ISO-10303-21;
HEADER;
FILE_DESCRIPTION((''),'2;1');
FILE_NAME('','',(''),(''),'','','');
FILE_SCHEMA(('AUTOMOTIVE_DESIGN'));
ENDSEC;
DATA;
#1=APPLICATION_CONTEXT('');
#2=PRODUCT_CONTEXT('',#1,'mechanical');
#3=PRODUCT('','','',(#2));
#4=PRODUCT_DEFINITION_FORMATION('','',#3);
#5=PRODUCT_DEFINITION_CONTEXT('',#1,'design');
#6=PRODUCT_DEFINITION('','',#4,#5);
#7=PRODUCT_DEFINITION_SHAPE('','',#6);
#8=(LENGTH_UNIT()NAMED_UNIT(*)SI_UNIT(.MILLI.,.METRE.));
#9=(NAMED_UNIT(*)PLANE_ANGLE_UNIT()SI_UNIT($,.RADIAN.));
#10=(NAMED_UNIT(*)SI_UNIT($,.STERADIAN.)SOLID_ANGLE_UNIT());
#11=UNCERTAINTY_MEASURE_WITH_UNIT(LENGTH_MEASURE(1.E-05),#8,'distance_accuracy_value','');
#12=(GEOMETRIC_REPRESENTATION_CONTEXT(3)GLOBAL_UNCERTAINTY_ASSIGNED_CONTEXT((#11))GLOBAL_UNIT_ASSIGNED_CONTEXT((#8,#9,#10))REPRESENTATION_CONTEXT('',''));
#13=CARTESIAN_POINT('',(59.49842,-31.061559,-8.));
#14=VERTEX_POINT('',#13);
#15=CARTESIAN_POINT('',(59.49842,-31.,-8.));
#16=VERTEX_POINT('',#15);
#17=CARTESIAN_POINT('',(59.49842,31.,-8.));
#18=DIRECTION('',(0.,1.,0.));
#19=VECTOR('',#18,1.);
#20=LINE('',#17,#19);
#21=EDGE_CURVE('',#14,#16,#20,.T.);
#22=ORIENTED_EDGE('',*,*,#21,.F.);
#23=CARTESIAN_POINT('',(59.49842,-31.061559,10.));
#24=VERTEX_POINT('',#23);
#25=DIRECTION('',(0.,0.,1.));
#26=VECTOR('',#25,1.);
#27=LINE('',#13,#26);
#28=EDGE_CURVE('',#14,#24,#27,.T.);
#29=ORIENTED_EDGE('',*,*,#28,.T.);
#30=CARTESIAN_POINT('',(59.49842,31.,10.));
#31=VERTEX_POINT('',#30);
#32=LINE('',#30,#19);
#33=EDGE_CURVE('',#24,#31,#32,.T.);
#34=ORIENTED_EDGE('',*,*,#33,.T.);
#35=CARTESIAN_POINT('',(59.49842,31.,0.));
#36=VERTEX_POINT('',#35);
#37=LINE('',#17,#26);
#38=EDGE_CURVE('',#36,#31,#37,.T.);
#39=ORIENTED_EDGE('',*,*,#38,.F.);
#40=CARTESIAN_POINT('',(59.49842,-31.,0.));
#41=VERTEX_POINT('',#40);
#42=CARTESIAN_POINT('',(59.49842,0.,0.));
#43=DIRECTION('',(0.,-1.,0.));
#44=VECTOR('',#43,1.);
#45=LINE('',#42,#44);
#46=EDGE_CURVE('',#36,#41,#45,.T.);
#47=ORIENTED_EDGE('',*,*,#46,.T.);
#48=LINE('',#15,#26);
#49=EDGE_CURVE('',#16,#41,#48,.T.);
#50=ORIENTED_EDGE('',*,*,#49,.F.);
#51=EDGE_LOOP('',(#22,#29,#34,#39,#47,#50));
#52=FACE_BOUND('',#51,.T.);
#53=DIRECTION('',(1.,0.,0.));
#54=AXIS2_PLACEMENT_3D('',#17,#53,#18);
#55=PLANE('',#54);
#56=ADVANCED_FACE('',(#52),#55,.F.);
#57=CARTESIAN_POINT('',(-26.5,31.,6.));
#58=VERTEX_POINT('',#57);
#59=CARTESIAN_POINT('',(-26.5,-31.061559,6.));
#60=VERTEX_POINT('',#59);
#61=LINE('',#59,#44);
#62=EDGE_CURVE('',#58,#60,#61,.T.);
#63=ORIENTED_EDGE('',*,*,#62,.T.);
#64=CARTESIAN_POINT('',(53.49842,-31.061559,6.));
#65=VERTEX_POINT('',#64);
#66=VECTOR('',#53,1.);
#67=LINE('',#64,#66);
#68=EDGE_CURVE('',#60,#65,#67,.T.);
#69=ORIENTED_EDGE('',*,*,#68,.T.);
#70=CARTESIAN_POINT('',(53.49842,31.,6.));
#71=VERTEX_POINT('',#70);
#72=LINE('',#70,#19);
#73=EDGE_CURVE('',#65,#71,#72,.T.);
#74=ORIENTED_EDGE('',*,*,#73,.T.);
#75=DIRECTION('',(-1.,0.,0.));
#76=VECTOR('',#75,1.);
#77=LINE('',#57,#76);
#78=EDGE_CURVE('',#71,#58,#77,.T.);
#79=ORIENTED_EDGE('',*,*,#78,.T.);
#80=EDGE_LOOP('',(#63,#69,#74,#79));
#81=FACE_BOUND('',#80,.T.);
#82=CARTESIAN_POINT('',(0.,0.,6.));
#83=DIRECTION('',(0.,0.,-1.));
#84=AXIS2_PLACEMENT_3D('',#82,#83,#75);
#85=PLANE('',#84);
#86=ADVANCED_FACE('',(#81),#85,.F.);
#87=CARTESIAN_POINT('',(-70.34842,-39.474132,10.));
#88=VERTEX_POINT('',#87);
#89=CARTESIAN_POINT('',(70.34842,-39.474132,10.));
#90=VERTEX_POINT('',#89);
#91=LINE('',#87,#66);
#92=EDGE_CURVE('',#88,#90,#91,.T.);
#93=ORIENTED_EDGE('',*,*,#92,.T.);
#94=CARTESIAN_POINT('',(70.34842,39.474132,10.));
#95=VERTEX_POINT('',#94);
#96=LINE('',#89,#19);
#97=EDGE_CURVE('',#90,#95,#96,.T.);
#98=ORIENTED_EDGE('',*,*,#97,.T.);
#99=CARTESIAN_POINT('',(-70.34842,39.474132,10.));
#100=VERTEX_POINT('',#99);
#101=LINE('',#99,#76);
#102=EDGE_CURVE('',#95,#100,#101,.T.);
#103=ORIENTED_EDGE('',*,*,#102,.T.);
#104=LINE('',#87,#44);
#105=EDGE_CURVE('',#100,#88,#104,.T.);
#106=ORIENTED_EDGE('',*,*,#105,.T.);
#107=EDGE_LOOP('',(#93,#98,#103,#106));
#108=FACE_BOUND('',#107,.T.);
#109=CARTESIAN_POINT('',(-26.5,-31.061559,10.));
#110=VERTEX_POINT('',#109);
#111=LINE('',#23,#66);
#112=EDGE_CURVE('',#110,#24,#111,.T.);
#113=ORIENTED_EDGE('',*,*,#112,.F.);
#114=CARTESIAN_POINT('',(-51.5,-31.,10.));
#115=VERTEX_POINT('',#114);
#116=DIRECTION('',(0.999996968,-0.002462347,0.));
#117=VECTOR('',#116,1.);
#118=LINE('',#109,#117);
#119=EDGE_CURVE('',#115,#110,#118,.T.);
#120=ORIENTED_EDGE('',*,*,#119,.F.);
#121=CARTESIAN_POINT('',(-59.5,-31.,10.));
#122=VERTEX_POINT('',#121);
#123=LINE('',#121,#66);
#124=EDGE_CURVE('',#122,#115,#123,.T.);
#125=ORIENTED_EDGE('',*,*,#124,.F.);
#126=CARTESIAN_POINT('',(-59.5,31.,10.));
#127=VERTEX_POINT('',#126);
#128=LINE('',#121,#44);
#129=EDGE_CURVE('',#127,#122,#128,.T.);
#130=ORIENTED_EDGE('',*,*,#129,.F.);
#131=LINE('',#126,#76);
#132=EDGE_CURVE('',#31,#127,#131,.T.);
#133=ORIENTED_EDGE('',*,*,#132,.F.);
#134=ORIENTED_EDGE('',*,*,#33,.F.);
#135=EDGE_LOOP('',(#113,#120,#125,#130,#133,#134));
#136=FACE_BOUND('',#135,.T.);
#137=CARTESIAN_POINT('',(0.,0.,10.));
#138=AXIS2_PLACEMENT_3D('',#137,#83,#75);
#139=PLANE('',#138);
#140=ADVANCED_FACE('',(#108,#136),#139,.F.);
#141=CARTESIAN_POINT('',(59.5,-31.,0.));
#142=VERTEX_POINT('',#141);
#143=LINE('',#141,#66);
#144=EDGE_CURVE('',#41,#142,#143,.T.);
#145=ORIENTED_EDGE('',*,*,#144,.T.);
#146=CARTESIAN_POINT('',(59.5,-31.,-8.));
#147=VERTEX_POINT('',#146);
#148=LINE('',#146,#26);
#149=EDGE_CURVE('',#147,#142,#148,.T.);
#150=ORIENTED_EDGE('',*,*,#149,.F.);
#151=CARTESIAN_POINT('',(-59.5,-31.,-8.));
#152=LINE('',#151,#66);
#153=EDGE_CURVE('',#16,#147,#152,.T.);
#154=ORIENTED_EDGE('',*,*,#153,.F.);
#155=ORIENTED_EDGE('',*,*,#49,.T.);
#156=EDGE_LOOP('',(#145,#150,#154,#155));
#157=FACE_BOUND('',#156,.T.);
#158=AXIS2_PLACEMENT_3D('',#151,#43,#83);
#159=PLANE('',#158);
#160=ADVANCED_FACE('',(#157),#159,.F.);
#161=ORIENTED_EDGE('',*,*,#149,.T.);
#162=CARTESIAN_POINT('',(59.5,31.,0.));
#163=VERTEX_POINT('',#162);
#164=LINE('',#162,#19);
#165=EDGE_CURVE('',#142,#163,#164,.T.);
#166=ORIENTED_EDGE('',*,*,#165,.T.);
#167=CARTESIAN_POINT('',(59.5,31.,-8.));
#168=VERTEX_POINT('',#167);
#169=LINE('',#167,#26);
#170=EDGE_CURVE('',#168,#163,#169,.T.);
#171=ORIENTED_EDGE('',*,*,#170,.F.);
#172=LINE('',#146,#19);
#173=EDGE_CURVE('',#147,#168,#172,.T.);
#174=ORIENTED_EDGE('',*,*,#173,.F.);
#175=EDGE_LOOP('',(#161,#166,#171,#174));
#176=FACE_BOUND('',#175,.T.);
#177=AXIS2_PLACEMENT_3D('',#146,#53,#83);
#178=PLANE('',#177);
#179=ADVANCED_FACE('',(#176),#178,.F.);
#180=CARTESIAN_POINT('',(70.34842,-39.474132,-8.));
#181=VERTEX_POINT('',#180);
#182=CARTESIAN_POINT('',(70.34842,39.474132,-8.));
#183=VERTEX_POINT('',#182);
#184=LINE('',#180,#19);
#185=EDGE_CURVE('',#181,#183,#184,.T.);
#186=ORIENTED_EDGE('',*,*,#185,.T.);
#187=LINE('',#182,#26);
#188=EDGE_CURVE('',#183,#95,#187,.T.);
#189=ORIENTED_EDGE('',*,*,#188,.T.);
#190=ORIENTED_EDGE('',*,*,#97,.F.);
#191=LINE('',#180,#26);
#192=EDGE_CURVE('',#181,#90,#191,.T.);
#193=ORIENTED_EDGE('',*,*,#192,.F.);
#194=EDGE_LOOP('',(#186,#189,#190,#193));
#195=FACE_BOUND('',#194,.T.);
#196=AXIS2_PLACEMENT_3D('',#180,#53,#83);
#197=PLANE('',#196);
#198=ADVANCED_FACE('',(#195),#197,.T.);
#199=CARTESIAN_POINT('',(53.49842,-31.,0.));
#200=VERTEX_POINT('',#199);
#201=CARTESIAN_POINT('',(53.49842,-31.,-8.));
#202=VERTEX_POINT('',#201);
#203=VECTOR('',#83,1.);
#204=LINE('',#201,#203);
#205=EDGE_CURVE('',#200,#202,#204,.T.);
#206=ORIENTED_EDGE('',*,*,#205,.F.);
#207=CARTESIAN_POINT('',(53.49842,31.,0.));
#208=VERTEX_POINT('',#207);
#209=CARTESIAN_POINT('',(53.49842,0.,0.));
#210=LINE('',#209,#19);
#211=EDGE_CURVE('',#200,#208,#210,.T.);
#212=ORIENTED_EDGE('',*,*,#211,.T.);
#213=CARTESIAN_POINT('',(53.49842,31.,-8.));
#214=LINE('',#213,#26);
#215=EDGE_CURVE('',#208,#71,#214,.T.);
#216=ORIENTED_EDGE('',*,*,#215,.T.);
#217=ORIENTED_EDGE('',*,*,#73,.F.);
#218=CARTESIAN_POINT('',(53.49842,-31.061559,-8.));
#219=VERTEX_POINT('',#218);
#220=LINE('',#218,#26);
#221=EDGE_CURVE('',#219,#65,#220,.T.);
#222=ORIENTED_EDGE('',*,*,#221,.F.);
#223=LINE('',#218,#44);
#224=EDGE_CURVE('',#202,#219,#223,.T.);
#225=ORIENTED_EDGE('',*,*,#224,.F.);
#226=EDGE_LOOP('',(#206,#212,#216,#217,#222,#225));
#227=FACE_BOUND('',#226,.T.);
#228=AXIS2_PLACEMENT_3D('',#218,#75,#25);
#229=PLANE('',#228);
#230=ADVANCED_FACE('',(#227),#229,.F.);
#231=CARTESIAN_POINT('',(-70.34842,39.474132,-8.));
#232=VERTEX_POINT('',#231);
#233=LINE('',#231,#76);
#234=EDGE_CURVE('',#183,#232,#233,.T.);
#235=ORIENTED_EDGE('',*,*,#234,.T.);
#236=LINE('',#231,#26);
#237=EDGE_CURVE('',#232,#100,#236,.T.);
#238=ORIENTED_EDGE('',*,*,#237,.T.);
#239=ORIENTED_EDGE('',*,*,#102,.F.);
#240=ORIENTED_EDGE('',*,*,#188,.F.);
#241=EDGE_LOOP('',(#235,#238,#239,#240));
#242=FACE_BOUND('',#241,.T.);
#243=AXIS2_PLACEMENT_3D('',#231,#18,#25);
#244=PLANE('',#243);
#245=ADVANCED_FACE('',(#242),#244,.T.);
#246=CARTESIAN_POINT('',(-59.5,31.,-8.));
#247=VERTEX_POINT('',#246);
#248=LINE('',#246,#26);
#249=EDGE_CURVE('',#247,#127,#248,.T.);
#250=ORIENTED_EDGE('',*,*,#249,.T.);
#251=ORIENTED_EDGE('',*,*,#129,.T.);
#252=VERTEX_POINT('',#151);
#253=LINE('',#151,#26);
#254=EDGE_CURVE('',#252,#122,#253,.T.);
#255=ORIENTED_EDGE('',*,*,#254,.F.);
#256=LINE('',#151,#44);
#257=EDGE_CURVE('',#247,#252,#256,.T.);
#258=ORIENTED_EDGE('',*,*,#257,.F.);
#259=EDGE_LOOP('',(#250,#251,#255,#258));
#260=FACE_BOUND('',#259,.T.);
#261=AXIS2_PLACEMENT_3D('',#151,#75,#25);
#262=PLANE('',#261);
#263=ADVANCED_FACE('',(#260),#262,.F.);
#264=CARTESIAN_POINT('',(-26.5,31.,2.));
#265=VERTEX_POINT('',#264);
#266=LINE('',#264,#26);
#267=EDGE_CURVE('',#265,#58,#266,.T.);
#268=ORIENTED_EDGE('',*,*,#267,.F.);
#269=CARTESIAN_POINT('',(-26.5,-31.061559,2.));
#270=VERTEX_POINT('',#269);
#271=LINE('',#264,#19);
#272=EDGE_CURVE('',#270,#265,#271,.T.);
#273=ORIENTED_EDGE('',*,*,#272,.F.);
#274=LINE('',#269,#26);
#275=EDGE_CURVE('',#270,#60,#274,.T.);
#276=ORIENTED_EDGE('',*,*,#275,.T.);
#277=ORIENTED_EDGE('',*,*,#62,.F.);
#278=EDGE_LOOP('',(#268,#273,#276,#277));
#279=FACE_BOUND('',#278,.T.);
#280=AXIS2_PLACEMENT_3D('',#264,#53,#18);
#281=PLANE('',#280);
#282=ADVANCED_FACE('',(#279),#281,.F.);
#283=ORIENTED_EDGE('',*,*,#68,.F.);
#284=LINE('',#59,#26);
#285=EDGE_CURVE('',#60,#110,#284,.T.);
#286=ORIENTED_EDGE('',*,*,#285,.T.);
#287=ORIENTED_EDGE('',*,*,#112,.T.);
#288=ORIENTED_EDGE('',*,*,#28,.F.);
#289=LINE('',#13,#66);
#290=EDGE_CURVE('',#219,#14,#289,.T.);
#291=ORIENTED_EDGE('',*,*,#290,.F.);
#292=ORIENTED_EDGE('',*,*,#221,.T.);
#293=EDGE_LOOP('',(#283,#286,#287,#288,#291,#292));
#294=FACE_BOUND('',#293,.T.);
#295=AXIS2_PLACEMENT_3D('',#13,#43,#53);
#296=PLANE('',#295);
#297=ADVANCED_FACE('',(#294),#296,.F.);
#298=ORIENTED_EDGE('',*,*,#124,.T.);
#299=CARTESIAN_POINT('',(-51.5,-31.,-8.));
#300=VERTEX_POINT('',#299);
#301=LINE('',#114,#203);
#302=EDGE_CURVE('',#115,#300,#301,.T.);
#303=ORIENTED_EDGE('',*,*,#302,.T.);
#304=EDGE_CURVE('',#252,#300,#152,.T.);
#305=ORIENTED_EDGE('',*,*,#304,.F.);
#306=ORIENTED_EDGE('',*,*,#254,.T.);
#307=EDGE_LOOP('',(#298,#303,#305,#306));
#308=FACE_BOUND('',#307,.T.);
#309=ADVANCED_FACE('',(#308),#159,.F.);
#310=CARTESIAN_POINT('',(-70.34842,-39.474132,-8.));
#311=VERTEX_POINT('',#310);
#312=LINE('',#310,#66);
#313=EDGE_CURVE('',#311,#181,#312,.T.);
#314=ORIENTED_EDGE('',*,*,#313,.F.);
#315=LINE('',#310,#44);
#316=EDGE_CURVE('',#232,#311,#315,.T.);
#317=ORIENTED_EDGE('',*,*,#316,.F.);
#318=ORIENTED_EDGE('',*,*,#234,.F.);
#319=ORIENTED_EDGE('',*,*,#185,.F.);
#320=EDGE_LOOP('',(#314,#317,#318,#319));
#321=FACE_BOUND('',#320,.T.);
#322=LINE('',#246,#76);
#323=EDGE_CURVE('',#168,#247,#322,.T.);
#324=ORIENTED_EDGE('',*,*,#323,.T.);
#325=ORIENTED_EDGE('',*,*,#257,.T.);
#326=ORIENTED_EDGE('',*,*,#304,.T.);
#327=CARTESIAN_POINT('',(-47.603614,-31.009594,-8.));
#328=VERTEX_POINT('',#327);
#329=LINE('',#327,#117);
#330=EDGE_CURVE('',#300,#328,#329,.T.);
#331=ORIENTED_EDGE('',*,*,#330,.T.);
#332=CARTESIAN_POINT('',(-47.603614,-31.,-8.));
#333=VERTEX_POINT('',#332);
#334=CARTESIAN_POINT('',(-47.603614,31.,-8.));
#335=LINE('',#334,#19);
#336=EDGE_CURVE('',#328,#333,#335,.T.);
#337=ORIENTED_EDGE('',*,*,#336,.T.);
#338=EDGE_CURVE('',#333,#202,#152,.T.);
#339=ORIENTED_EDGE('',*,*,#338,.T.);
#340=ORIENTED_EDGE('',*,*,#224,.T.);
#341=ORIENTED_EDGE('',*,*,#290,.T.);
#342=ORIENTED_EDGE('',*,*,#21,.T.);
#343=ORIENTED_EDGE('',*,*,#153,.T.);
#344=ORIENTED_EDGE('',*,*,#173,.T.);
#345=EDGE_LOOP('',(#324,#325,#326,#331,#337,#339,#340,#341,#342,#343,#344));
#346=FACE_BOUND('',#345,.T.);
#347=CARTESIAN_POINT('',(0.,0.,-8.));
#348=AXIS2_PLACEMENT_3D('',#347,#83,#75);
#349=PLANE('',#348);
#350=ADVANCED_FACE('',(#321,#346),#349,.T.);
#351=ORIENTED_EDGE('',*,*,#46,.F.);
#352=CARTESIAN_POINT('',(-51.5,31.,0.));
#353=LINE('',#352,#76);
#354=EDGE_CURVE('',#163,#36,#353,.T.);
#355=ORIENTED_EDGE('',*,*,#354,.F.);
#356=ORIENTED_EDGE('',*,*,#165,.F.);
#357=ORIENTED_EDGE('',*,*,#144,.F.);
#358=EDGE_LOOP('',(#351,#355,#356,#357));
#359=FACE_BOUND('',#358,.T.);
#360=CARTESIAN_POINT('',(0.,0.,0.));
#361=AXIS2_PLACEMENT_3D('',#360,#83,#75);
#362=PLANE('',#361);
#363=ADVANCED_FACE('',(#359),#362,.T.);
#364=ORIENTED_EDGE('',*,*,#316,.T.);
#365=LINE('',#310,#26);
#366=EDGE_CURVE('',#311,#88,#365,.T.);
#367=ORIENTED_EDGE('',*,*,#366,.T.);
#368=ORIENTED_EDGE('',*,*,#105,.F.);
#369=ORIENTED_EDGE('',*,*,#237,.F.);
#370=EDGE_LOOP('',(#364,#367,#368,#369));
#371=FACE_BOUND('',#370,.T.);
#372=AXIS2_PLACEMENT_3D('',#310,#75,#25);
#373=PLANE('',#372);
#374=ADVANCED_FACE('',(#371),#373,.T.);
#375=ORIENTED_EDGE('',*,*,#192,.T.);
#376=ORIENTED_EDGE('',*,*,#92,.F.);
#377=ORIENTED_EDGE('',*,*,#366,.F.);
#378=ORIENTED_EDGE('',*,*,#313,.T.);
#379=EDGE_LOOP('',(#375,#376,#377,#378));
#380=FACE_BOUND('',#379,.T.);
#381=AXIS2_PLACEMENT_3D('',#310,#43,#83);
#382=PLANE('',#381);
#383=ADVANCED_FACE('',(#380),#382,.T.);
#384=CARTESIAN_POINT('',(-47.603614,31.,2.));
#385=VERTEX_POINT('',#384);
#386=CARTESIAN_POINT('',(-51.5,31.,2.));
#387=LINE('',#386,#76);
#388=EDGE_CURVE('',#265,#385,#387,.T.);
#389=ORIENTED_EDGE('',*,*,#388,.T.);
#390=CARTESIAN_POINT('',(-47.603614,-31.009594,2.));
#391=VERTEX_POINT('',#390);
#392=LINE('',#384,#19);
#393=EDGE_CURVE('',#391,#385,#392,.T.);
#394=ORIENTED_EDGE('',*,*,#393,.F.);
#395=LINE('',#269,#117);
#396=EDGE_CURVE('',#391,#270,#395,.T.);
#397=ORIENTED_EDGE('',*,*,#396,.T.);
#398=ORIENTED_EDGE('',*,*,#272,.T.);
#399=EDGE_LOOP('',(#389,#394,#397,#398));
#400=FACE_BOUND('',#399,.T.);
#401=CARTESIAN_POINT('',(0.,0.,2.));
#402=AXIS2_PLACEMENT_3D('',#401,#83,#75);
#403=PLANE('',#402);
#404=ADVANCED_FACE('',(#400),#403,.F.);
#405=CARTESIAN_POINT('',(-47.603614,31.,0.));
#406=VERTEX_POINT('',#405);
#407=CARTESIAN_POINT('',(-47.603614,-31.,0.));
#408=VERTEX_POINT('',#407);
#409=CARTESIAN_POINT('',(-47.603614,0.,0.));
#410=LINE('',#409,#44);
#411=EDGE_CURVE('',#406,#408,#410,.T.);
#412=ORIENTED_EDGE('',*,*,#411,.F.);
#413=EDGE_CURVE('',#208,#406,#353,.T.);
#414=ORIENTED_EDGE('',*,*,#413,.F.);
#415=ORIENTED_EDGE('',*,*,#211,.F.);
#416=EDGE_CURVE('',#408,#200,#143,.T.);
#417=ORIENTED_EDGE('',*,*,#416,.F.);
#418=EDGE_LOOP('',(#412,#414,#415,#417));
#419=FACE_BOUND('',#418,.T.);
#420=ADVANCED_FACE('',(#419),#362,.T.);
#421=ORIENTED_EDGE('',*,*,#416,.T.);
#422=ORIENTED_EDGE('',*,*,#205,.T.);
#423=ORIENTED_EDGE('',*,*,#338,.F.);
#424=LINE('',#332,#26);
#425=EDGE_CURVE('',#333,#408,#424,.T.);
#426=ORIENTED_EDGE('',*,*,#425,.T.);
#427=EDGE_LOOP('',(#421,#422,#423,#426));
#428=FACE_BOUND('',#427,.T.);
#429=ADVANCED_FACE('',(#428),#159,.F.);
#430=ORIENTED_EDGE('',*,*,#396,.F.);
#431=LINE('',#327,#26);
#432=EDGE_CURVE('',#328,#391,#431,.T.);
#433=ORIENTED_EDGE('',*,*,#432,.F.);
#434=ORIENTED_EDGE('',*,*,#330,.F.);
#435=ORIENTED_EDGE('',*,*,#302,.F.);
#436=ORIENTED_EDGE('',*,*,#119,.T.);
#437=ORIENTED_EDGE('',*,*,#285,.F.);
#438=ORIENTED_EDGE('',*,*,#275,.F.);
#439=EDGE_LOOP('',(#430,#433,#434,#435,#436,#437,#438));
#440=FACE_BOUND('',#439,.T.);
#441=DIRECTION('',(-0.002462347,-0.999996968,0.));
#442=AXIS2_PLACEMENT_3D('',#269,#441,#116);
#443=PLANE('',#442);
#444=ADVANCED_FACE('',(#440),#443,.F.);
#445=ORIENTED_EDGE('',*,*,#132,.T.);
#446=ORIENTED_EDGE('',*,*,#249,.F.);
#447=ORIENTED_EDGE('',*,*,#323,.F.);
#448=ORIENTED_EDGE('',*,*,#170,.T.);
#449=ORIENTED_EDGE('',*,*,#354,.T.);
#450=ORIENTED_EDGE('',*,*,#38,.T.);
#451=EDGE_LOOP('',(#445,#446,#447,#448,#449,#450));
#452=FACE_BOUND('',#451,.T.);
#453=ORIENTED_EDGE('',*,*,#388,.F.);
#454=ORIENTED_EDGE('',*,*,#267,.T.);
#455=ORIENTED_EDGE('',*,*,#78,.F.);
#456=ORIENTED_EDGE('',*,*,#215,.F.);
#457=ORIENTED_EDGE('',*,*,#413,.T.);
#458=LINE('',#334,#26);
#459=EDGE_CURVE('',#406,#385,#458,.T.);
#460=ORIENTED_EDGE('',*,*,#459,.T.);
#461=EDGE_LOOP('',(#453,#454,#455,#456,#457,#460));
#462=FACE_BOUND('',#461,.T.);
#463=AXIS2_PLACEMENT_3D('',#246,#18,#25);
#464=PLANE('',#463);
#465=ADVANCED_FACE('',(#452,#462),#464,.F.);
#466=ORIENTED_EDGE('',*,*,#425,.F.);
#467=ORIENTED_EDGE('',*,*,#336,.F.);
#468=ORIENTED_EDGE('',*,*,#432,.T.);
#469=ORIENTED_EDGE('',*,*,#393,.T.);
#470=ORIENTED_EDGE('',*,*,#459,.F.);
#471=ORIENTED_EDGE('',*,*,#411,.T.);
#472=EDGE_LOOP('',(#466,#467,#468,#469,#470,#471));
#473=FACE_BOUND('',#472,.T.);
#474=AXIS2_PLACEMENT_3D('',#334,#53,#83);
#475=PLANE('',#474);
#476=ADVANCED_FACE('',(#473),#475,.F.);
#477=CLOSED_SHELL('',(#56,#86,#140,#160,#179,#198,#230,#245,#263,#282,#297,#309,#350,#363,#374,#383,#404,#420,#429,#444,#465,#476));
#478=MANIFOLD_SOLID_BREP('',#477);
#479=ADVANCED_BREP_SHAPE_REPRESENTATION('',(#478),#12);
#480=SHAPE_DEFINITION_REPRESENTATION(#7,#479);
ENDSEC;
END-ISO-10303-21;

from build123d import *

# Parameters (mm, degrees)
EXTRUDE_1_DEPTH      = 10
EXTRUDE_1_DEPTH_BACK = 8
SKETCH_1_W           = 140.696839698
SKETCH_1_H           = 78.948263704
SKETCH_1_W_2         = 119
SKETCH_1_H_2         = 62
SKETCH_2_W           = 111
SKETCH_2_H           = 62
EXTRUDE_2_DEPTH      = 10
CUT_EXTRUDE_1_DEPTH  = 8
CUT_EXTRUDE_2_DEPTH  = 82.284114443
SKETCH_5_W           = 6
SKETCH_5_H           = 62.061558852
CUT_EXTRUDE_3_DEPTH  = 83.650512768
SKETCH_6_W           = 79.998419849
SKETCH_6_H           = 62.061558852
CUT_EXTRUDE_4_DEPTH  = 4


with BuildPart() as part:
    # 草图1 → 凸台-拉伸1 (new, two sides: drawn at the far end of the back side and taken through both)
    with BuildSketch(Plane.XY.offset(-EXTRUDE_1_DEPTH_BACK)):
        Rectangle(SKETCH_1_W, SKETCH_1_H)
        Rectangle(SKETCH_1_W_2, SKETCH_1_H_2, mode=Mode.SUBTRACT)
    extrude(amount=EXTRUDE_1_DEPTH + EXTRUDE_1_DEPTH_BACK)

    # 草图2 → 凸台-拉伸2 (add)
    with BuildSketch(Plane.XY):
        with Locations((4, 0)):
            Rectangle(SKETCH_2_W, SKETCH_2_H)
    extrude(amount=EXTRUDE_2_DEPTH)

    # 草图3 → 切除-拉伸1 (cut)
    with BuildSketch(Plane.XY.offset(10)):
        Polygon((-51.5, 31), (-26.5, 31), (-26.5, -31.061558852), (-51.5, -31), align=None)
    extrude(amount=-CUT_EXTRUDE_1_DEPTH, mode=Mode.SUBTRACT)

    # 草图4 → 切除-拉伸2 (cut, through all)
    with BuildSketch(Plane.XY.offset(2)):
        Polygon((-51.5, 31), (-47.603613943, 31), (-47.603613943, -31.009594282), (-51.5, -31), align=None)
    extrude(amount=-CUT_EXTRUDE_2_DEPTH, mode=Mode.SUBTRACT)

    # 草图5 → 切除-拉伸3 (cut, through all)
    with BuildSketch(Plane.XY.offset(10)):
        with Locations((56.498419849, -0.030779426)):
            Rectangle(SKETCH_5_W, SKETCH_5_H)
    extrude(amount=-CUT_EXTRUDE_3_DEPTH, mode=Mode.SUBTRACT)

    # 草图6 → 切除-拉伸4 (cut)
    with BuildSketch(Plane.XY.offset(10)):
        with Locations((13.499209925, -0.030779426)):
            Rectangle(SKETCH_6_W, SKETCH_6_H)
    extrude(amount=-CUT_EXTRUDE_4_DEPTH, mode=Mode.SUBTRACT)


solid = part.part
